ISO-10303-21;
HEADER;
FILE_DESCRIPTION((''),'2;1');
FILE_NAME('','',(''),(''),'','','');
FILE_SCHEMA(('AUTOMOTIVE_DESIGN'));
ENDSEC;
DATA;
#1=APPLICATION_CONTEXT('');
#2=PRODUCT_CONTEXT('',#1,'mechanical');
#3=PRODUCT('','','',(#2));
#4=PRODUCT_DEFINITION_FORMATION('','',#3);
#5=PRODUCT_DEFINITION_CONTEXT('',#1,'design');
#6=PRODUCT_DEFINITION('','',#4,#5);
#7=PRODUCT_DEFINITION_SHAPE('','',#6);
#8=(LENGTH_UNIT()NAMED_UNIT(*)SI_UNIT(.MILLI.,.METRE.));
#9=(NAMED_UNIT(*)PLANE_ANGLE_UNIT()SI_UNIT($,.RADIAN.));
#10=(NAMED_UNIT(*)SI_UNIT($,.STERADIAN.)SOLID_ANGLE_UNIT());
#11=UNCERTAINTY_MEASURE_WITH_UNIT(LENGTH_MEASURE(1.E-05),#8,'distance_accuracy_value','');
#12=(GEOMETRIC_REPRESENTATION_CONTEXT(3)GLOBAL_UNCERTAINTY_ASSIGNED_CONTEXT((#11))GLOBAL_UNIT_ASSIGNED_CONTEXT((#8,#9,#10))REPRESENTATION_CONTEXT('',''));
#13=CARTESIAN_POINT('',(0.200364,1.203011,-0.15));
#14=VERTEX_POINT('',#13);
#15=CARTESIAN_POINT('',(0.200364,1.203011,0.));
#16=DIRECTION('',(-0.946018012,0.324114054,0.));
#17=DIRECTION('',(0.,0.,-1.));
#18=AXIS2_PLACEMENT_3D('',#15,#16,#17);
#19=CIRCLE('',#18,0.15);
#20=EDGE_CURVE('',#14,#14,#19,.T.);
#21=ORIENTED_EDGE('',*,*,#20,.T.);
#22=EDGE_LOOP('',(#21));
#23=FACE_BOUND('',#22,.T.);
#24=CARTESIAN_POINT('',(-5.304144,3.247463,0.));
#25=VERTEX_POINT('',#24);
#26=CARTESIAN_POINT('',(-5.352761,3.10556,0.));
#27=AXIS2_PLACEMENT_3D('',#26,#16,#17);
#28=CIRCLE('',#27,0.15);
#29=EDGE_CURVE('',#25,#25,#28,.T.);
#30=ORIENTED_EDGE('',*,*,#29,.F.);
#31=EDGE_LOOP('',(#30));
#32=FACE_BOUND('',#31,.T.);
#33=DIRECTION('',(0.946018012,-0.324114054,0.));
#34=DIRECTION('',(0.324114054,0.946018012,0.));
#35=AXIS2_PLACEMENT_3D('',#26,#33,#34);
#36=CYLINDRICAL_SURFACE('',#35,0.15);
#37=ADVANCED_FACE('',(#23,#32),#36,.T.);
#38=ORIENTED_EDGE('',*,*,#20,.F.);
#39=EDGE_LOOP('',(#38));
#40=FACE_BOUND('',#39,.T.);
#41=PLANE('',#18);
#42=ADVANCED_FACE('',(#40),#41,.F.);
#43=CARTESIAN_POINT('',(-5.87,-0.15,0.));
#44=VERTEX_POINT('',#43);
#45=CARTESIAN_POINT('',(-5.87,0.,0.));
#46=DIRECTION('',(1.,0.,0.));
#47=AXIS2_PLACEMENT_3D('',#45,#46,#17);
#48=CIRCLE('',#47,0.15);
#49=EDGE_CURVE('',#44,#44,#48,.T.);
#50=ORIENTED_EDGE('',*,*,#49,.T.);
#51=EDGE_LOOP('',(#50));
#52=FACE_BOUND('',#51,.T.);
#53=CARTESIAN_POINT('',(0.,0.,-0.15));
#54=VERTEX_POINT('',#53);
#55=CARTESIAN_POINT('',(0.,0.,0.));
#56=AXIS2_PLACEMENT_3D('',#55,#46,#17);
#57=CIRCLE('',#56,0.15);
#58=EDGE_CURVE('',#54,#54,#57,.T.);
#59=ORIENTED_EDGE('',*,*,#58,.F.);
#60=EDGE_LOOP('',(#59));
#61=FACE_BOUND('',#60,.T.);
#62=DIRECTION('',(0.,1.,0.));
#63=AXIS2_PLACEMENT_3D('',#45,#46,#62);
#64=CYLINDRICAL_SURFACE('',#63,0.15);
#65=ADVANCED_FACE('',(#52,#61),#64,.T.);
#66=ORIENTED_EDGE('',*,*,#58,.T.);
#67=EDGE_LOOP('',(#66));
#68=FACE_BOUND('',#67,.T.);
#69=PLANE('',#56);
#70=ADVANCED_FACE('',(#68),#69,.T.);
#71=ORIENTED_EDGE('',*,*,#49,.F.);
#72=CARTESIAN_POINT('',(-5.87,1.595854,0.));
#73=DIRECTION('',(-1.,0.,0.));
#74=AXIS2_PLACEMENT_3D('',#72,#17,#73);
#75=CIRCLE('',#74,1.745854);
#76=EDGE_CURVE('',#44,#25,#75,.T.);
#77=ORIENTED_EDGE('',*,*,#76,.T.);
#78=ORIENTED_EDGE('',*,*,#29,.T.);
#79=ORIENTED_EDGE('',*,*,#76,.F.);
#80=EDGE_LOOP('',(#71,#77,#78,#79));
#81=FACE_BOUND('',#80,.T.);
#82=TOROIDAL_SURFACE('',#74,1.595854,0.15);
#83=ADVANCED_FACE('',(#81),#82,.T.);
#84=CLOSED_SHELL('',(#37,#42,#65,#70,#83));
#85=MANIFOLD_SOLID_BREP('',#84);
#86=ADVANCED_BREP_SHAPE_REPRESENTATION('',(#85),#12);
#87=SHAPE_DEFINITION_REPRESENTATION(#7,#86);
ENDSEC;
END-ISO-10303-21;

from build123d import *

# Parameters (mm, degrees)
SKETCH2_R = 0.15


with BuildPart() as part:
    # Sweep1: sweep along a curve in space
    with BuildLine() as sweep1_path:
        Line((0.200364375, 1.203010725, 0), (-5.352761358, 3.105560223, 0))
        ThreePointArc((-5.352761358, 3.105560223, 0), (-7.444169631, 1.858035589, 0), (-5.87, 0, 0))
        Line((-5.87, 0, 0), (0, 0, 0))
    # Sketch2 → Sweep1 (sweep)
    with BuildSketch(Plane(origin=(0, 0, 0), x_dir=(0, 0, -1), z_dir=(1, 0, 0))):
        Circle(SKETCH2_R)
    sweep(path=sweep1_path.line)


solid = part.part
